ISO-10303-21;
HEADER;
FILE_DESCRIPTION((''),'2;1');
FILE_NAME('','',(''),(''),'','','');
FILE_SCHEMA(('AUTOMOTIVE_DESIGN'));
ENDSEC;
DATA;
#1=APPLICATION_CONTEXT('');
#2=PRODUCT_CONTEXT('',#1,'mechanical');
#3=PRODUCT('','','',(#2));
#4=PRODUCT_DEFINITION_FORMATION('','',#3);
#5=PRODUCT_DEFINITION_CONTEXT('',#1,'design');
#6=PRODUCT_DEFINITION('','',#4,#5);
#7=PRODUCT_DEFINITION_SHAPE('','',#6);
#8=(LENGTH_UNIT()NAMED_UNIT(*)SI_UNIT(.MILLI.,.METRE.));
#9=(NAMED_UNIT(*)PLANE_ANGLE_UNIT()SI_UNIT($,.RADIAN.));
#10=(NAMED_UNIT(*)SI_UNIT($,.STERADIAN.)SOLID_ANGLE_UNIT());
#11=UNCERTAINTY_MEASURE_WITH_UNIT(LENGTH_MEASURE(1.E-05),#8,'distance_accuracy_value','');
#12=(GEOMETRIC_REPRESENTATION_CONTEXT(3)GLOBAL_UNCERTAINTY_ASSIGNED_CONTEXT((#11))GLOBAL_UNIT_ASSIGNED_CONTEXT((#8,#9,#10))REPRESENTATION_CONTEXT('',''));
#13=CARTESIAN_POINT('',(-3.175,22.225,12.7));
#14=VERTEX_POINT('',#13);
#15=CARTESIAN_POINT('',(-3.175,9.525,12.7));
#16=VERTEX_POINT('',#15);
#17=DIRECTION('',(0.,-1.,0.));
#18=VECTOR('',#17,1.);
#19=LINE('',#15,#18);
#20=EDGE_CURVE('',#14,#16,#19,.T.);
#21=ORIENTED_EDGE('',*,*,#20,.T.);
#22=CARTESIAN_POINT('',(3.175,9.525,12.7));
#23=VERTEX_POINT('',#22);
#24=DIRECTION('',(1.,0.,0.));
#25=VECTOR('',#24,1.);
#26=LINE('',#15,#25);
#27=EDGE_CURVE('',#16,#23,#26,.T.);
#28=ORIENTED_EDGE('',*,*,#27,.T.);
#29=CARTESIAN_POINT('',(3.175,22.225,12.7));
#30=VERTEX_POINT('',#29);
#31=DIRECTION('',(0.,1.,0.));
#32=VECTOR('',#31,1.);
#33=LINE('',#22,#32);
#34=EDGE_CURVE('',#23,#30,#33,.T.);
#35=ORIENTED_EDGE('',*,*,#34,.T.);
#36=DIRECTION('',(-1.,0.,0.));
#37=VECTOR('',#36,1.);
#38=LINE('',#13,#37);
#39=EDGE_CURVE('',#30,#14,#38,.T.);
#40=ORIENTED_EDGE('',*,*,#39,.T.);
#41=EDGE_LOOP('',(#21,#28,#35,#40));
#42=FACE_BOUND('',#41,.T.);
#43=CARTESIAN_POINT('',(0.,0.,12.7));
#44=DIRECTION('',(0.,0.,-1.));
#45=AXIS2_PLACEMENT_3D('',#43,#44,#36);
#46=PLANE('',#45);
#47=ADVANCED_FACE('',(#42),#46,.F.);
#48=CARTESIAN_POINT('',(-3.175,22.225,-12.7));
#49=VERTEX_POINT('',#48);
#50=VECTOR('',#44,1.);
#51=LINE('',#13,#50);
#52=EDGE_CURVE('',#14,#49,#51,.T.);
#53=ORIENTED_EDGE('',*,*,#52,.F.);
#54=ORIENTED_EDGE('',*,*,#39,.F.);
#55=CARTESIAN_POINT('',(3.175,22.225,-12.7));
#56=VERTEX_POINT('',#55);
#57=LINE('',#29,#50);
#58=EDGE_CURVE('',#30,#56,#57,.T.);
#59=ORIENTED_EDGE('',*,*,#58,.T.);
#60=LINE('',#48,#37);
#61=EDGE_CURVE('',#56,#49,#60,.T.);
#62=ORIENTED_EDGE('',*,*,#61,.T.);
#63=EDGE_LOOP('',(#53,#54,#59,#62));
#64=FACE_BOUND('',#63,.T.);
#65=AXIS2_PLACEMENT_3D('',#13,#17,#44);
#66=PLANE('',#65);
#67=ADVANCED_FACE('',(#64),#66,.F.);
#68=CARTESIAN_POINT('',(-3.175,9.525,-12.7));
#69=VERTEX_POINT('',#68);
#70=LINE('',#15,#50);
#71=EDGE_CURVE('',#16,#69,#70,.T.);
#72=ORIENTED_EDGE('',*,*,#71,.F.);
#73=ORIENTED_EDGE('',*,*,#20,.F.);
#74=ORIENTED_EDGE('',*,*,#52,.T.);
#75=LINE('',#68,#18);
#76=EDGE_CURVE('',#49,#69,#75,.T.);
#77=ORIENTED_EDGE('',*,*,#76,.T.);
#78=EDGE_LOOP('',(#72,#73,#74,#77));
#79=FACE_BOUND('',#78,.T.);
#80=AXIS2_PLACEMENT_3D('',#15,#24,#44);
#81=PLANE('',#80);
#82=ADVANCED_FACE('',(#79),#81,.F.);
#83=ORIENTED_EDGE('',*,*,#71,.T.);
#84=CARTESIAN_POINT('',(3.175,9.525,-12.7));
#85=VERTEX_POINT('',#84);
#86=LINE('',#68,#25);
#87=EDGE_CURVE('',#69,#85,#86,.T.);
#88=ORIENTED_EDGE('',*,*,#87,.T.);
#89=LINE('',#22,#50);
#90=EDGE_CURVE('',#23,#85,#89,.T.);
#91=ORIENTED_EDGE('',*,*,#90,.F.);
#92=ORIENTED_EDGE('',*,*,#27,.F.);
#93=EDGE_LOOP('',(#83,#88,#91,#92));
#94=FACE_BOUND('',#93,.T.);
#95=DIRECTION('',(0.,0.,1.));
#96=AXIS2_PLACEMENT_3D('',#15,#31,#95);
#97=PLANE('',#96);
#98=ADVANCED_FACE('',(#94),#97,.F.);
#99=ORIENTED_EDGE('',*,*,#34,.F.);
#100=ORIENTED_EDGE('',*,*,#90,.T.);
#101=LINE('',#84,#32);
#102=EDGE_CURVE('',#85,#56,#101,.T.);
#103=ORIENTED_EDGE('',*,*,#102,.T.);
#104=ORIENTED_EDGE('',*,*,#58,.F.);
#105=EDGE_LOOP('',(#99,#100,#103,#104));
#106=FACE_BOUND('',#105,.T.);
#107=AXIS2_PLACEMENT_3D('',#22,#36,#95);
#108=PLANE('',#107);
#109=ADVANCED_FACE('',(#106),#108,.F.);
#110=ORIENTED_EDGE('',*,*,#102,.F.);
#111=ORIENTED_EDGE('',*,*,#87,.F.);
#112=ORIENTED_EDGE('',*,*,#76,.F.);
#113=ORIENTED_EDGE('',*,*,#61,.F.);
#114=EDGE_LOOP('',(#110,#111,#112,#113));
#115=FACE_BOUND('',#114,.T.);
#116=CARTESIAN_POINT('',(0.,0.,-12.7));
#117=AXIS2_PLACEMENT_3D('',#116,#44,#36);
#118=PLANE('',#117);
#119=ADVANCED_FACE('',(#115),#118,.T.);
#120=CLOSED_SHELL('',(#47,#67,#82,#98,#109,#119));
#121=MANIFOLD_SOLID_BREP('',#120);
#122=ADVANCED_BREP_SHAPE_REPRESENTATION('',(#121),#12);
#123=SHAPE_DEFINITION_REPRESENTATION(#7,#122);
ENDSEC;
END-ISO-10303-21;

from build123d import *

# Parameters (mm, degrees)
SKETCH1_W           = 6.35
SKETCH1_H           = 12.7
BOSS_EXTRUDE1_DEPTH = 12.7


with BuildPart() as part:
    # Sketch1 → Boss-Extrude1 (new, symmetric)
    with BuildSketch(Plane.XY):
        with Locations((0, 15.875)):
            Rectangle(SKETCH1_W, SKETCH1_H)
    extrude(amount=BOSS_EXTRUDE1_DEPTH, both=True)


solid = part.part
